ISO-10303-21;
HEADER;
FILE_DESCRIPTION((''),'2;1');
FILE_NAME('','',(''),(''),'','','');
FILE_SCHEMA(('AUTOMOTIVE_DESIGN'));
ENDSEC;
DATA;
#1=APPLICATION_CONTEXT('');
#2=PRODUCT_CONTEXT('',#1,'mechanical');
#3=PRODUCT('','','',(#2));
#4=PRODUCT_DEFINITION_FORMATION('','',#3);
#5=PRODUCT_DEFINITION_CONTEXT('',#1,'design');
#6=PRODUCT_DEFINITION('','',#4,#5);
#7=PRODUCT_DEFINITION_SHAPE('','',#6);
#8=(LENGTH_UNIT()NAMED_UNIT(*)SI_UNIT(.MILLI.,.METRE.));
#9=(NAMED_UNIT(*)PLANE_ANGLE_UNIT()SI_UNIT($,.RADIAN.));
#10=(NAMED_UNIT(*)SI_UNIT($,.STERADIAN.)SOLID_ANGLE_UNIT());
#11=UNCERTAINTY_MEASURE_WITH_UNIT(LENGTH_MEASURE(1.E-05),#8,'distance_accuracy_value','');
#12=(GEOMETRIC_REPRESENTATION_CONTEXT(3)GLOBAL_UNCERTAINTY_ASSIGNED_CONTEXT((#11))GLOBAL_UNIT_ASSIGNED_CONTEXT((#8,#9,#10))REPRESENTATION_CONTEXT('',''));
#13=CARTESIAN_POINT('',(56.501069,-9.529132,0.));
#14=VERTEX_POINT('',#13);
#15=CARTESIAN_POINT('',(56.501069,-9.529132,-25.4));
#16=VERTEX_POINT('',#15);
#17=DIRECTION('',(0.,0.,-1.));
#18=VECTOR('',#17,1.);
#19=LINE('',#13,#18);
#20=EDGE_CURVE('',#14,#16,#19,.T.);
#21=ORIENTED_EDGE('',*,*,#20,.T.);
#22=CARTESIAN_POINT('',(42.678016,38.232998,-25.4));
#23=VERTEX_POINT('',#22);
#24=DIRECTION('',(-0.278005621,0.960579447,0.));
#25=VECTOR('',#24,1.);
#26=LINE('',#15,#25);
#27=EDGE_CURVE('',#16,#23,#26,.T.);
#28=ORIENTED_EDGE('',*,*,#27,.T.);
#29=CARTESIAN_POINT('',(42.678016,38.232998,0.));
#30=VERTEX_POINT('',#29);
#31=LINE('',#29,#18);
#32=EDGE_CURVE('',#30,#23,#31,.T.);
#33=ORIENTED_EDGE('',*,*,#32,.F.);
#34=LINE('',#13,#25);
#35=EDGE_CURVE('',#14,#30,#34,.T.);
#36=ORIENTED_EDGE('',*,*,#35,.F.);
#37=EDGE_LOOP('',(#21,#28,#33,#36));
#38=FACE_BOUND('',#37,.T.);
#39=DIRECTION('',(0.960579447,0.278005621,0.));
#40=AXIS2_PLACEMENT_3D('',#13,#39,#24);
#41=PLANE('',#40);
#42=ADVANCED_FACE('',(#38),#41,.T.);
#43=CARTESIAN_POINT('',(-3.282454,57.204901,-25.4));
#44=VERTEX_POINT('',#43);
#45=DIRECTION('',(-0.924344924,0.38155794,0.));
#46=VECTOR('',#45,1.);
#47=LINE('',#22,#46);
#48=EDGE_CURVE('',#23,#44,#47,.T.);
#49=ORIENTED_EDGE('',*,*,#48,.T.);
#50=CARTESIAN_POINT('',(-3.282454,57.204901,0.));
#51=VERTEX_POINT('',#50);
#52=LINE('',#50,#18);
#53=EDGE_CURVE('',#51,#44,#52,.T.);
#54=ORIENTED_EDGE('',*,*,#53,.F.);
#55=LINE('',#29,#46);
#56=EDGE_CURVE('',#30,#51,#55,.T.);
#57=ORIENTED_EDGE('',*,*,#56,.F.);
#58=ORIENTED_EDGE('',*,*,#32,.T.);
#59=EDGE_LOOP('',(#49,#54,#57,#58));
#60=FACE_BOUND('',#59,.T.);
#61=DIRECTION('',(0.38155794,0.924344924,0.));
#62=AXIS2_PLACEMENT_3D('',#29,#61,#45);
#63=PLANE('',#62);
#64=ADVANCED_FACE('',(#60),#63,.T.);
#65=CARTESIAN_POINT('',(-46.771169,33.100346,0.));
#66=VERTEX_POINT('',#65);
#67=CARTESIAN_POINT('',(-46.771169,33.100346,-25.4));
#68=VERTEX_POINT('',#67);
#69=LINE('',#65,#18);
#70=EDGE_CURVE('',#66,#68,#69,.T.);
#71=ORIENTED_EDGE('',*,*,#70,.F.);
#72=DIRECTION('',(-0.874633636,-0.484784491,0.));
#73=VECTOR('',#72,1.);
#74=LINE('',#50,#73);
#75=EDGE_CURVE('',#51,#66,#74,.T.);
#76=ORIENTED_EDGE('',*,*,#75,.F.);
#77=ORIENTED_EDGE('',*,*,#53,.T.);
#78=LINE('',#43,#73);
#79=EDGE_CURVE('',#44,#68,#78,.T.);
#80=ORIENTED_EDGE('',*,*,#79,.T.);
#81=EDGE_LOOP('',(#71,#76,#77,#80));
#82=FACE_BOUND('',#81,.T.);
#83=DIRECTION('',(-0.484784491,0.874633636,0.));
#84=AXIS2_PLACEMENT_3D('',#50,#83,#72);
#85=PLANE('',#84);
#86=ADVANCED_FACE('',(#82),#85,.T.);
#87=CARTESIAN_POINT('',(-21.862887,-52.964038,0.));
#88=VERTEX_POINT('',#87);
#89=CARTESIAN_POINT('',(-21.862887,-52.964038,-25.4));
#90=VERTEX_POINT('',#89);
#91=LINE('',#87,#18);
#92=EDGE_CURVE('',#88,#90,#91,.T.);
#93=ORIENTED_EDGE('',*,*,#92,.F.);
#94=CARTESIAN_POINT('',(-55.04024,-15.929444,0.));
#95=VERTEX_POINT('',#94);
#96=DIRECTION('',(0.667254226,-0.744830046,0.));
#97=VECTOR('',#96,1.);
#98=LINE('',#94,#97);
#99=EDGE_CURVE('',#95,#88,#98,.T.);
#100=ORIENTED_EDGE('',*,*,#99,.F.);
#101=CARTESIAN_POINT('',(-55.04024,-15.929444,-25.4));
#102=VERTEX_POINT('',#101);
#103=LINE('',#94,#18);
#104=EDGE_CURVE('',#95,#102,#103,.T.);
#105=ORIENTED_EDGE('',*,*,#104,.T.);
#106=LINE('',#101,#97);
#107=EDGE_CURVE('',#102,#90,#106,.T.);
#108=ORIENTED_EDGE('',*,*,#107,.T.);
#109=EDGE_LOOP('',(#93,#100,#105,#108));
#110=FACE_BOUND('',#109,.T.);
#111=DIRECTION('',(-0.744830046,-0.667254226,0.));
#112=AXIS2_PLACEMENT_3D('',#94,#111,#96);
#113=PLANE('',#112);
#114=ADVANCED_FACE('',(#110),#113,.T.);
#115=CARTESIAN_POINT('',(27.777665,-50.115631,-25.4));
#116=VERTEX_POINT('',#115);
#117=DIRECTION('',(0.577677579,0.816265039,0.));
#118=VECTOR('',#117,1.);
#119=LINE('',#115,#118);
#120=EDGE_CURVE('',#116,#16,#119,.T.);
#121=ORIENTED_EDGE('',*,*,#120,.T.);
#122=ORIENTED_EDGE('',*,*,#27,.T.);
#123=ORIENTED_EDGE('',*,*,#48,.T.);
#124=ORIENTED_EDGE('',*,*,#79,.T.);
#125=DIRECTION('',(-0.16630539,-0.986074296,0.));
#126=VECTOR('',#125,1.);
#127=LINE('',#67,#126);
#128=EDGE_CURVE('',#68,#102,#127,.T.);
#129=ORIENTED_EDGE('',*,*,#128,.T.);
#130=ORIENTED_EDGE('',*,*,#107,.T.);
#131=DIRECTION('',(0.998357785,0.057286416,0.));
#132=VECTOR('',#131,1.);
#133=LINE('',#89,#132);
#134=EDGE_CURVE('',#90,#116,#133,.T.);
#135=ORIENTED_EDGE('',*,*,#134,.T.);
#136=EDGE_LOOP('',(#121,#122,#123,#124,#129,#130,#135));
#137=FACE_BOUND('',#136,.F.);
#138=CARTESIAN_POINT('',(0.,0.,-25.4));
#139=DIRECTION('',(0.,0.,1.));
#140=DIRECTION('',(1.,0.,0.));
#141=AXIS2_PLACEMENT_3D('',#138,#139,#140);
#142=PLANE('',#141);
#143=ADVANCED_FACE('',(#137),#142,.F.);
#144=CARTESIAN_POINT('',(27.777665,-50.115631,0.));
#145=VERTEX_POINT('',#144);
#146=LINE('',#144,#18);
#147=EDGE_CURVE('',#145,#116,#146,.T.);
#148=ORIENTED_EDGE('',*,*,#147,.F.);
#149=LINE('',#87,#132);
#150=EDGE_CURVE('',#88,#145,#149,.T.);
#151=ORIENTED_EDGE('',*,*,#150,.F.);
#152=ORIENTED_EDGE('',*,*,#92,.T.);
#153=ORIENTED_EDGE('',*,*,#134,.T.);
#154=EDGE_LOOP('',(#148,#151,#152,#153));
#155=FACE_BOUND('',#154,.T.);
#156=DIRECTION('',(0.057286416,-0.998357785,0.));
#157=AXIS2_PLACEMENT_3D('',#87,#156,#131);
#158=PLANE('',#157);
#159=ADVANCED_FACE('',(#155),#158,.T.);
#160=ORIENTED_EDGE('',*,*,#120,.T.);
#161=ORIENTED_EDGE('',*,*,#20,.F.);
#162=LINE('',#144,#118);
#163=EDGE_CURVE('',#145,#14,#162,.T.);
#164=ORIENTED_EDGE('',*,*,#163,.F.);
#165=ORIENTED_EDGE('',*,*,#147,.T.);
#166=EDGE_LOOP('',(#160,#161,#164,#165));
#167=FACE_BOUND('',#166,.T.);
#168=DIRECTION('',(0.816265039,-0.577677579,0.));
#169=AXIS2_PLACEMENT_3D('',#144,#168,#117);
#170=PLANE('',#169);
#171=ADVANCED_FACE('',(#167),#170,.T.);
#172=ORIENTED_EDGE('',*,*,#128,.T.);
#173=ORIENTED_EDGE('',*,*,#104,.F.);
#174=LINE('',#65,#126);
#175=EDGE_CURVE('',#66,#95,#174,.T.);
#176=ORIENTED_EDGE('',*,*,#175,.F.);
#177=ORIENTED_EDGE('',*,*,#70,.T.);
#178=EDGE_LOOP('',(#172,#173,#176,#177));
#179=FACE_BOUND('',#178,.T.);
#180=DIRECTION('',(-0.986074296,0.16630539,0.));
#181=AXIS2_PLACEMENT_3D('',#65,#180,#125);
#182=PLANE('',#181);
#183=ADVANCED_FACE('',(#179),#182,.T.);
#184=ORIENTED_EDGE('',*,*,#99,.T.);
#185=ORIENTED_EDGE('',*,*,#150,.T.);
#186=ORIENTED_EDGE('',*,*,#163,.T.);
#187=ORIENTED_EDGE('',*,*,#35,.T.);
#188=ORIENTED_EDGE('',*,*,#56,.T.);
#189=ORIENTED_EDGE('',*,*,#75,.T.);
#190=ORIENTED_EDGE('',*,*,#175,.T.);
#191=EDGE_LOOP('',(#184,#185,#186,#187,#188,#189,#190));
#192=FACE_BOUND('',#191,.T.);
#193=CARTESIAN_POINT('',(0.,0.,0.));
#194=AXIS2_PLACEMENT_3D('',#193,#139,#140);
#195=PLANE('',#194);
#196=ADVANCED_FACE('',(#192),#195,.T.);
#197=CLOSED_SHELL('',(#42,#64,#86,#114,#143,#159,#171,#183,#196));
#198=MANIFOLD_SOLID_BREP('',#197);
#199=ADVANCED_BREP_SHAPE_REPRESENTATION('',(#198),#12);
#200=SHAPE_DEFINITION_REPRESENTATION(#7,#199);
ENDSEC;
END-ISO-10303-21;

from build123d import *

# Parameters (mm, degrees)
F1_DEPTH = 25.4


with BuildPart() as f1:
    # F0 (on Top) → F1 (new body)
    with BuildSketch(Plane.XY):
        Polygon((-46.771169, 33.100346), (-55.04024, -15.929444), (-21.862887, -52.964038), (27.777665, -50.115631), (56.501069, -9.529132), (42.678016, 38.232998), (-3.282454, 57.204901), align=None)
    extrude(amount=-F1_DEPTH)


solid = f1.part
